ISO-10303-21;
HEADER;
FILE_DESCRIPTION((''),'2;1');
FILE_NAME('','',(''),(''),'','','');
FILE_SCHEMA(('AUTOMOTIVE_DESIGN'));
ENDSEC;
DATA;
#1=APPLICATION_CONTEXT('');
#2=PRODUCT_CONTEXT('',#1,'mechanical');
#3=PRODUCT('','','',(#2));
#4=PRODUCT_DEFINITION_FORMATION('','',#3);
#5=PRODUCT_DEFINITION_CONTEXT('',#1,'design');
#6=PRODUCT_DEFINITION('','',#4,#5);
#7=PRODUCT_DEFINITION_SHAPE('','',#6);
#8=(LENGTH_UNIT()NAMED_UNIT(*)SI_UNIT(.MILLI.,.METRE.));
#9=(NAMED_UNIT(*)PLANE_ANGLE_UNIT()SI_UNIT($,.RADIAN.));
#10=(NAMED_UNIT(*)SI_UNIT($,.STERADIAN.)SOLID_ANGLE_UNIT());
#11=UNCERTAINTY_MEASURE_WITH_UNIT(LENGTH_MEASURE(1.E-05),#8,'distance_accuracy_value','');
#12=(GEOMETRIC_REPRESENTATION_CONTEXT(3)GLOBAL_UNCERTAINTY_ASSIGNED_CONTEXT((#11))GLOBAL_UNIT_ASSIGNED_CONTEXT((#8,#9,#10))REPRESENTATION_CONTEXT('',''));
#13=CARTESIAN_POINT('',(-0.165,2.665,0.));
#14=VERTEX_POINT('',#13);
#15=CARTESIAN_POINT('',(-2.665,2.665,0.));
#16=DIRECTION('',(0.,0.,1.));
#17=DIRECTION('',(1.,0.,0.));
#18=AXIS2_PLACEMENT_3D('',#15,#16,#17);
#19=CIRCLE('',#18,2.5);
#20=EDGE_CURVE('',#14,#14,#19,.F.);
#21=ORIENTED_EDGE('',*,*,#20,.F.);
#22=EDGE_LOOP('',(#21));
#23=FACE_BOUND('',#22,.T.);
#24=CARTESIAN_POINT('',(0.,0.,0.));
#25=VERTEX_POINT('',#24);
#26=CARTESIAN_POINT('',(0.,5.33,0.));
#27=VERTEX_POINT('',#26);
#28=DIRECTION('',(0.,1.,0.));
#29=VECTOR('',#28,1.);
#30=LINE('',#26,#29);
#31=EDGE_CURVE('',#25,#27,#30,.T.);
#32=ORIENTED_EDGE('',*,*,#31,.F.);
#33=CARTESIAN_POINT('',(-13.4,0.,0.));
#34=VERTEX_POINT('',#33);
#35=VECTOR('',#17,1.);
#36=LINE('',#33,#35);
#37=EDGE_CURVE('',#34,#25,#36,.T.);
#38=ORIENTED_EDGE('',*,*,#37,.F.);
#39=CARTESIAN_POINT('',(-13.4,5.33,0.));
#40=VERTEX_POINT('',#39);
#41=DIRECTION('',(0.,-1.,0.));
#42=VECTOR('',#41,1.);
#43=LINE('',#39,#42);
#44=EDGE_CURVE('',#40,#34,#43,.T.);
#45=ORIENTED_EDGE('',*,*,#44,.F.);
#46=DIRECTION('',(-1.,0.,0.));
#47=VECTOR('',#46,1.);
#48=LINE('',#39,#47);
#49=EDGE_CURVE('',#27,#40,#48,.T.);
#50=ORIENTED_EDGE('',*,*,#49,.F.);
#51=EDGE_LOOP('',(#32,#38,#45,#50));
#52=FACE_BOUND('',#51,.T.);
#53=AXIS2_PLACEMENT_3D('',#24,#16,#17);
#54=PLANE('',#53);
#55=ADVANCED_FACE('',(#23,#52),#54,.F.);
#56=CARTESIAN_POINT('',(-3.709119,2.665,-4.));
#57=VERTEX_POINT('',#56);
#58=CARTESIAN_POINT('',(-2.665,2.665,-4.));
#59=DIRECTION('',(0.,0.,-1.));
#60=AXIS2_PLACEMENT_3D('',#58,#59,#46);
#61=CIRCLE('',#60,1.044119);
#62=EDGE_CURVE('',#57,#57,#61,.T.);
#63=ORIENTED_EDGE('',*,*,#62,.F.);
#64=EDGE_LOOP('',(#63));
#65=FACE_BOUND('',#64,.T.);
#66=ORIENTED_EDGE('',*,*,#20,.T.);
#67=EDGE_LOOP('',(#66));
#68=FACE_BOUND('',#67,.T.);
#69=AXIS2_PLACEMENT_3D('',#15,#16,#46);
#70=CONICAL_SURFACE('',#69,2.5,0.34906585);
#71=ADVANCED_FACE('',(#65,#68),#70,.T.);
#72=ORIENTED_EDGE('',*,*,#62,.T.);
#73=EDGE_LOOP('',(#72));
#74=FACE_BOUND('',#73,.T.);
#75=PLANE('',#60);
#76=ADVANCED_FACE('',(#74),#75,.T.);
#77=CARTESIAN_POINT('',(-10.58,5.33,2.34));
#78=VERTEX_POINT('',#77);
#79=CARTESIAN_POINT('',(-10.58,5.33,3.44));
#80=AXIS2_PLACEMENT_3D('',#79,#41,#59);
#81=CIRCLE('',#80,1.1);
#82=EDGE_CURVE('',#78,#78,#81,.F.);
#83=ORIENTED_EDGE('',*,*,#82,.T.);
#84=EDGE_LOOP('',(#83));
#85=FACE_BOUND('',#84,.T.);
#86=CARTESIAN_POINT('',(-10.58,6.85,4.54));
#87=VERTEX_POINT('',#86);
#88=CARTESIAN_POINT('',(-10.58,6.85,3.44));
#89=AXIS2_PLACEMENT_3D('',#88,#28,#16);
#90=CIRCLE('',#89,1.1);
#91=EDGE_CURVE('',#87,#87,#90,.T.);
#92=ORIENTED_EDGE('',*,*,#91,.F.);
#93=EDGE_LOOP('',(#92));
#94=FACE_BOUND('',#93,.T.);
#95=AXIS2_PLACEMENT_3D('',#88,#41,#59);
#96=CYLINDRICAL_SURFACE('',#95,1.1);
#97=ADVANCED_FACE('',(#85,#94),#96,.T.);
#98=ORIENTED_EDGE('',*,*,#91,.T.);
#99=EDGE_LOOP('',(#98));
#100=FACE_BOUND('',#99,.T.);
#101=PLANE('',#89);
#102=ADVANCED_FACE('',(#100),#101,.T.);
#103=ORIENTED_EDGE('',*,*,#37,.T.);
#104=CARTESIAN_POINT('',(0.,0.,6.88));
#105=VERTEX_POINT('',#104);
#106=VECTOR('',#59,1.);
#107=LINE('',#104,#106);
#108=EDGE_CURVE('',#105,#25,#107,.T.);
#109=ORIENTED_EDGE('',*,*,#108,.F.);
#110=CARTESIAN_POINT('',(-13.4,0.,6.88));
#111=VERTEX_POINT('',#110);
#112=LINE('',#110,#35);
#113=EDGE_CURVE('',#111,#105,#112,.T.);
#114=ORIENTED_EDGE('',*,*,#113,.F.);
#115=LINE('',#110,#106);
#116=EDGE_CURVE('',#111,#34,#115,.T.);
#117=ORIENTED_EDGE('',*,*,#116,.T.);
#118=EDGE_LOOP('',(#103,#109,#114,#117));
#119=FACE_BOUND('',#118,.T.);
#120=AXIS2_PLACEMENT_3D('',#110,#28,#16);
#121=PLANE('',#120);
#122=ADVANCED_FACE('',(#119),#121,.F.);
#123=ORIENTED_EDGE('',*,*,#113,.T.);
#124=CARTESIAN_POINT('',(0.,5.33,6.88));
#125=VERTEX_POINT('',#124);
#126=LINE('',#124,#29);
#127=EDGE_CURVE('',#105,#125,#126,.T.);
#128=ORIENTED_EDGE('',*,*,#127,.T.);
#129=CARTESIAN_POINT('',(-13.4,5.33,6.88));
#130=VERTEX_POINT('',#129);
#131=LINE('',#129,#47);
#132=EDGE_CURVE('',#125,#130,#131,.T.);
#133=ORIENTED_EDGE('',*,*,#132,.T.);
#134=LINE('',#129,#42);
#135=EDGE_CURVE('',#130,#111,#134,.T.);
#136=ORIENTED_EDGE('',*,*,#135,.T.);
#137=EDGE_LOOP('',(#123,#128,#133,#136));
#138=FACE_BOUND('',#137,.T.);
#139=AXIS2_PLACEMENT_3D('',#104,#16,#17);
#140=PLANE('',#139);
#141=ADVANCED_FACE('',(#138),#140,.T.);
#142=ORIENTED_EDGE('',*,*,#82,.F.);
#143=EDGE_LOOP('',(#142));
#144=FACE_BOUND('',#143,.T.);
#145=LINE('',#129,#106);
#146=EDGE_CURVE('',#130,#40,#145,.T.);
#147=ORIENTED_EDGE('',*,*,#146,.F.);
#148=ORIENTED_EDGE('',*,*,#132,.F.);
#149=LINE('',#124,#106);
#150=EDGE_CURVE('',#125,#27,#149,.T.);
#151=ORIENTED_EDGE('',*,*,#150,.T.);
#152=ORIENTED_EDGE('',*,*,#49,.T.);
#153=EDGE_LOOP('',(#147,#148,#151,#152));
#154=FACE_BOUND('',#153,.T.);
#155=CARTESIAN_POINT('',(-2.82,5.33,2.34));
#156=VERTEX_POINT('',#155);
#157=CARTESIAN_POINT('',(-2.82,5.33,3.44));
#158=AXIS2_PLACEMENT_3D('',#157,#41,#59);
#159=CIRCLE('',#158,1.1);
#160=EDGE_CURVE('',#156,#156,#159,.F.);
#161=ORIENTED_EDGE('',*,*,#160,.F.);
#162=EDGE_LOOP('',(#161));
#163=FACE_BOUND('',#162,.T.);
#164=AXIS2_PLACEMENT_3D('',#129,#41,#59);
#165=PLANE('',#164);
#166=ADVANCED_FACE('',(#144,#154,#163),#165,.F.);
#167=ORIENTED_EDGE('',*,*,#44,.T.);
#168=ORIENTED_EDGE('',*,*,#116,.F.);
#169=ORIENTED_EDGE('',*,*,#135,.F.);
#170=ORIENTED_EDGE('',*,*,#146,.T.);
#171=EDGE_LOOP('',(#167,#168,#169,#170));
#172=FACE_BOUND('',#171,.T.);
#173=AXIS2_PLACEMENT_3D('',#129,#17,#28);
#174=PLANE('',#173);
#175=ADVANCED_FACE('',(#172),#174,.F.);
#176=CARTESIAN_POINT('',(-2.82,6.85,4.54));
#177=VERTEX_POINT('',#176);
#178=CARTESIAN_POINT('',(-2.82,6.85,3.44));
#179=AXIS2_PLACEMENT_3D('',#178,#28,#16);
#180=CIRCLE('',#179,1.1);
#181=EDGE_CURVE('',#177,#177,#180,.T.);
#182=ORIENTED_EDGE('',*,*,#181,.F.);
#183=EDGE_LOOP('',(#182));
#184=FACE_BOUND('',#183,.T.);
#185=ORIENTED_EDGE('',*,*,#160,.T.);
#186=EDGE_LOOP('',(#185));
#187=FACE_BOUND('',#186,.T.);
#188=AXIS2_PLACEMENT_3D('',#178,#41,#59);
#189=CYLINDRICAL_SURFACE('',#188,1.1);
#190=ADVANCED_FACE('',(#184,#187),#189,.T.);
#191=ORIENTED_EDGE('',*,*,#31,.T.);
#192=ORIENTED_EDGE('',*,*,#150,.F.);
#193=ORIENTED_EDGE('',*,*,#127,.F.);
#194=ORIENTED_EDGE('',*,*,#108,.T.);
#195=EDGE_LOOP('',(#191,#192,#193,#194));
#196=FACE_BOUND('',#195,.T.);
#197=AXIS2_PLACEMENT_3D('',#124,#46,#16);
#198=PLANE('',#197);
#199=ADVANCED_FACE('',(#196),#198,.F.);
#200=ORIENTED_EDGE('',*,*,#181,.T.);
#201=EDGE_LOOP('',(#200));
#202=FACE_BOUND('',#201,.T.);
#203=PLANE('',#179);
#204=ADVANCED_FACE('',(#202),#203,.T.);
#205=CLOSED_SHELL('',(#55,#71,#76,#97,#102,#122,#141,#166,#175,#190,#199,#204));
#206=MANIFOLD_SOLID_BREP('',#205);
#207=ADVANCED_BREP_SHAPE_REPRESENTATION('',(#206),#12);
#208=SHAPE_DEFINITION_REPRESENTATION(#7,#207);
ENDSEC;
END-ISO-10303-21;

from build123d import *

# Parameters (mm, degrees)
SKETCH1_W           = 13.4
SKETCH1_H           = 5.33
BOSS_EXTRUDE1_DEPTH = 6.88
SKETCH2_R           = 1.1
BOSS_EXTRUDE2_DEPTH = 1.52
SKETCH3_R           = 2.5
BOSS_EXTRUDE3_DEPTH = 4
BOSS_EXTRUDE3_TAPER = 20


with BuildPart() as part:
    # Sketch1 → Boss-Extrude1 (new body)
    with BuildSketch(Plane.XY):
        with Locations((-6.7, 2.665)):
            Rectangle(SKETCH1_W, SKETCH1_H)
    extrude(amount=BOSS_EXTRUDE1_DEPTH)

    # Sketch2 → Boss-Extrude2 (add)
    with BuildSketch(Plane(origin=(0, 5.33, 0), x_dir=(1, 0, 0), z_dir=(0, 1, 0))):
        with Locations((-10.58, -3.44)):
            Circle(SKETCH2_R)
        with Locations((-2.82, -3.44)):
            Circle(SKETCH2_R)
    extrude(amount=BOSS_EXTRUDE2_DEPTH)

    # Sketch3 → Boss-Extrude3 (add)
    with BuildSketch(Plane(origin=(0, 0, 0), x_dir=(-1, 0, 0), z_dir=(0, 0, -1))):
        with Locations((2.665, 2.665)):
            Circle(SKETCH3_R)
    extrude(amount=BOSS_EXTRUDE3_DEPTH, taper=BOSS_EXTRUDE3_TAPER)


solid = part.part
